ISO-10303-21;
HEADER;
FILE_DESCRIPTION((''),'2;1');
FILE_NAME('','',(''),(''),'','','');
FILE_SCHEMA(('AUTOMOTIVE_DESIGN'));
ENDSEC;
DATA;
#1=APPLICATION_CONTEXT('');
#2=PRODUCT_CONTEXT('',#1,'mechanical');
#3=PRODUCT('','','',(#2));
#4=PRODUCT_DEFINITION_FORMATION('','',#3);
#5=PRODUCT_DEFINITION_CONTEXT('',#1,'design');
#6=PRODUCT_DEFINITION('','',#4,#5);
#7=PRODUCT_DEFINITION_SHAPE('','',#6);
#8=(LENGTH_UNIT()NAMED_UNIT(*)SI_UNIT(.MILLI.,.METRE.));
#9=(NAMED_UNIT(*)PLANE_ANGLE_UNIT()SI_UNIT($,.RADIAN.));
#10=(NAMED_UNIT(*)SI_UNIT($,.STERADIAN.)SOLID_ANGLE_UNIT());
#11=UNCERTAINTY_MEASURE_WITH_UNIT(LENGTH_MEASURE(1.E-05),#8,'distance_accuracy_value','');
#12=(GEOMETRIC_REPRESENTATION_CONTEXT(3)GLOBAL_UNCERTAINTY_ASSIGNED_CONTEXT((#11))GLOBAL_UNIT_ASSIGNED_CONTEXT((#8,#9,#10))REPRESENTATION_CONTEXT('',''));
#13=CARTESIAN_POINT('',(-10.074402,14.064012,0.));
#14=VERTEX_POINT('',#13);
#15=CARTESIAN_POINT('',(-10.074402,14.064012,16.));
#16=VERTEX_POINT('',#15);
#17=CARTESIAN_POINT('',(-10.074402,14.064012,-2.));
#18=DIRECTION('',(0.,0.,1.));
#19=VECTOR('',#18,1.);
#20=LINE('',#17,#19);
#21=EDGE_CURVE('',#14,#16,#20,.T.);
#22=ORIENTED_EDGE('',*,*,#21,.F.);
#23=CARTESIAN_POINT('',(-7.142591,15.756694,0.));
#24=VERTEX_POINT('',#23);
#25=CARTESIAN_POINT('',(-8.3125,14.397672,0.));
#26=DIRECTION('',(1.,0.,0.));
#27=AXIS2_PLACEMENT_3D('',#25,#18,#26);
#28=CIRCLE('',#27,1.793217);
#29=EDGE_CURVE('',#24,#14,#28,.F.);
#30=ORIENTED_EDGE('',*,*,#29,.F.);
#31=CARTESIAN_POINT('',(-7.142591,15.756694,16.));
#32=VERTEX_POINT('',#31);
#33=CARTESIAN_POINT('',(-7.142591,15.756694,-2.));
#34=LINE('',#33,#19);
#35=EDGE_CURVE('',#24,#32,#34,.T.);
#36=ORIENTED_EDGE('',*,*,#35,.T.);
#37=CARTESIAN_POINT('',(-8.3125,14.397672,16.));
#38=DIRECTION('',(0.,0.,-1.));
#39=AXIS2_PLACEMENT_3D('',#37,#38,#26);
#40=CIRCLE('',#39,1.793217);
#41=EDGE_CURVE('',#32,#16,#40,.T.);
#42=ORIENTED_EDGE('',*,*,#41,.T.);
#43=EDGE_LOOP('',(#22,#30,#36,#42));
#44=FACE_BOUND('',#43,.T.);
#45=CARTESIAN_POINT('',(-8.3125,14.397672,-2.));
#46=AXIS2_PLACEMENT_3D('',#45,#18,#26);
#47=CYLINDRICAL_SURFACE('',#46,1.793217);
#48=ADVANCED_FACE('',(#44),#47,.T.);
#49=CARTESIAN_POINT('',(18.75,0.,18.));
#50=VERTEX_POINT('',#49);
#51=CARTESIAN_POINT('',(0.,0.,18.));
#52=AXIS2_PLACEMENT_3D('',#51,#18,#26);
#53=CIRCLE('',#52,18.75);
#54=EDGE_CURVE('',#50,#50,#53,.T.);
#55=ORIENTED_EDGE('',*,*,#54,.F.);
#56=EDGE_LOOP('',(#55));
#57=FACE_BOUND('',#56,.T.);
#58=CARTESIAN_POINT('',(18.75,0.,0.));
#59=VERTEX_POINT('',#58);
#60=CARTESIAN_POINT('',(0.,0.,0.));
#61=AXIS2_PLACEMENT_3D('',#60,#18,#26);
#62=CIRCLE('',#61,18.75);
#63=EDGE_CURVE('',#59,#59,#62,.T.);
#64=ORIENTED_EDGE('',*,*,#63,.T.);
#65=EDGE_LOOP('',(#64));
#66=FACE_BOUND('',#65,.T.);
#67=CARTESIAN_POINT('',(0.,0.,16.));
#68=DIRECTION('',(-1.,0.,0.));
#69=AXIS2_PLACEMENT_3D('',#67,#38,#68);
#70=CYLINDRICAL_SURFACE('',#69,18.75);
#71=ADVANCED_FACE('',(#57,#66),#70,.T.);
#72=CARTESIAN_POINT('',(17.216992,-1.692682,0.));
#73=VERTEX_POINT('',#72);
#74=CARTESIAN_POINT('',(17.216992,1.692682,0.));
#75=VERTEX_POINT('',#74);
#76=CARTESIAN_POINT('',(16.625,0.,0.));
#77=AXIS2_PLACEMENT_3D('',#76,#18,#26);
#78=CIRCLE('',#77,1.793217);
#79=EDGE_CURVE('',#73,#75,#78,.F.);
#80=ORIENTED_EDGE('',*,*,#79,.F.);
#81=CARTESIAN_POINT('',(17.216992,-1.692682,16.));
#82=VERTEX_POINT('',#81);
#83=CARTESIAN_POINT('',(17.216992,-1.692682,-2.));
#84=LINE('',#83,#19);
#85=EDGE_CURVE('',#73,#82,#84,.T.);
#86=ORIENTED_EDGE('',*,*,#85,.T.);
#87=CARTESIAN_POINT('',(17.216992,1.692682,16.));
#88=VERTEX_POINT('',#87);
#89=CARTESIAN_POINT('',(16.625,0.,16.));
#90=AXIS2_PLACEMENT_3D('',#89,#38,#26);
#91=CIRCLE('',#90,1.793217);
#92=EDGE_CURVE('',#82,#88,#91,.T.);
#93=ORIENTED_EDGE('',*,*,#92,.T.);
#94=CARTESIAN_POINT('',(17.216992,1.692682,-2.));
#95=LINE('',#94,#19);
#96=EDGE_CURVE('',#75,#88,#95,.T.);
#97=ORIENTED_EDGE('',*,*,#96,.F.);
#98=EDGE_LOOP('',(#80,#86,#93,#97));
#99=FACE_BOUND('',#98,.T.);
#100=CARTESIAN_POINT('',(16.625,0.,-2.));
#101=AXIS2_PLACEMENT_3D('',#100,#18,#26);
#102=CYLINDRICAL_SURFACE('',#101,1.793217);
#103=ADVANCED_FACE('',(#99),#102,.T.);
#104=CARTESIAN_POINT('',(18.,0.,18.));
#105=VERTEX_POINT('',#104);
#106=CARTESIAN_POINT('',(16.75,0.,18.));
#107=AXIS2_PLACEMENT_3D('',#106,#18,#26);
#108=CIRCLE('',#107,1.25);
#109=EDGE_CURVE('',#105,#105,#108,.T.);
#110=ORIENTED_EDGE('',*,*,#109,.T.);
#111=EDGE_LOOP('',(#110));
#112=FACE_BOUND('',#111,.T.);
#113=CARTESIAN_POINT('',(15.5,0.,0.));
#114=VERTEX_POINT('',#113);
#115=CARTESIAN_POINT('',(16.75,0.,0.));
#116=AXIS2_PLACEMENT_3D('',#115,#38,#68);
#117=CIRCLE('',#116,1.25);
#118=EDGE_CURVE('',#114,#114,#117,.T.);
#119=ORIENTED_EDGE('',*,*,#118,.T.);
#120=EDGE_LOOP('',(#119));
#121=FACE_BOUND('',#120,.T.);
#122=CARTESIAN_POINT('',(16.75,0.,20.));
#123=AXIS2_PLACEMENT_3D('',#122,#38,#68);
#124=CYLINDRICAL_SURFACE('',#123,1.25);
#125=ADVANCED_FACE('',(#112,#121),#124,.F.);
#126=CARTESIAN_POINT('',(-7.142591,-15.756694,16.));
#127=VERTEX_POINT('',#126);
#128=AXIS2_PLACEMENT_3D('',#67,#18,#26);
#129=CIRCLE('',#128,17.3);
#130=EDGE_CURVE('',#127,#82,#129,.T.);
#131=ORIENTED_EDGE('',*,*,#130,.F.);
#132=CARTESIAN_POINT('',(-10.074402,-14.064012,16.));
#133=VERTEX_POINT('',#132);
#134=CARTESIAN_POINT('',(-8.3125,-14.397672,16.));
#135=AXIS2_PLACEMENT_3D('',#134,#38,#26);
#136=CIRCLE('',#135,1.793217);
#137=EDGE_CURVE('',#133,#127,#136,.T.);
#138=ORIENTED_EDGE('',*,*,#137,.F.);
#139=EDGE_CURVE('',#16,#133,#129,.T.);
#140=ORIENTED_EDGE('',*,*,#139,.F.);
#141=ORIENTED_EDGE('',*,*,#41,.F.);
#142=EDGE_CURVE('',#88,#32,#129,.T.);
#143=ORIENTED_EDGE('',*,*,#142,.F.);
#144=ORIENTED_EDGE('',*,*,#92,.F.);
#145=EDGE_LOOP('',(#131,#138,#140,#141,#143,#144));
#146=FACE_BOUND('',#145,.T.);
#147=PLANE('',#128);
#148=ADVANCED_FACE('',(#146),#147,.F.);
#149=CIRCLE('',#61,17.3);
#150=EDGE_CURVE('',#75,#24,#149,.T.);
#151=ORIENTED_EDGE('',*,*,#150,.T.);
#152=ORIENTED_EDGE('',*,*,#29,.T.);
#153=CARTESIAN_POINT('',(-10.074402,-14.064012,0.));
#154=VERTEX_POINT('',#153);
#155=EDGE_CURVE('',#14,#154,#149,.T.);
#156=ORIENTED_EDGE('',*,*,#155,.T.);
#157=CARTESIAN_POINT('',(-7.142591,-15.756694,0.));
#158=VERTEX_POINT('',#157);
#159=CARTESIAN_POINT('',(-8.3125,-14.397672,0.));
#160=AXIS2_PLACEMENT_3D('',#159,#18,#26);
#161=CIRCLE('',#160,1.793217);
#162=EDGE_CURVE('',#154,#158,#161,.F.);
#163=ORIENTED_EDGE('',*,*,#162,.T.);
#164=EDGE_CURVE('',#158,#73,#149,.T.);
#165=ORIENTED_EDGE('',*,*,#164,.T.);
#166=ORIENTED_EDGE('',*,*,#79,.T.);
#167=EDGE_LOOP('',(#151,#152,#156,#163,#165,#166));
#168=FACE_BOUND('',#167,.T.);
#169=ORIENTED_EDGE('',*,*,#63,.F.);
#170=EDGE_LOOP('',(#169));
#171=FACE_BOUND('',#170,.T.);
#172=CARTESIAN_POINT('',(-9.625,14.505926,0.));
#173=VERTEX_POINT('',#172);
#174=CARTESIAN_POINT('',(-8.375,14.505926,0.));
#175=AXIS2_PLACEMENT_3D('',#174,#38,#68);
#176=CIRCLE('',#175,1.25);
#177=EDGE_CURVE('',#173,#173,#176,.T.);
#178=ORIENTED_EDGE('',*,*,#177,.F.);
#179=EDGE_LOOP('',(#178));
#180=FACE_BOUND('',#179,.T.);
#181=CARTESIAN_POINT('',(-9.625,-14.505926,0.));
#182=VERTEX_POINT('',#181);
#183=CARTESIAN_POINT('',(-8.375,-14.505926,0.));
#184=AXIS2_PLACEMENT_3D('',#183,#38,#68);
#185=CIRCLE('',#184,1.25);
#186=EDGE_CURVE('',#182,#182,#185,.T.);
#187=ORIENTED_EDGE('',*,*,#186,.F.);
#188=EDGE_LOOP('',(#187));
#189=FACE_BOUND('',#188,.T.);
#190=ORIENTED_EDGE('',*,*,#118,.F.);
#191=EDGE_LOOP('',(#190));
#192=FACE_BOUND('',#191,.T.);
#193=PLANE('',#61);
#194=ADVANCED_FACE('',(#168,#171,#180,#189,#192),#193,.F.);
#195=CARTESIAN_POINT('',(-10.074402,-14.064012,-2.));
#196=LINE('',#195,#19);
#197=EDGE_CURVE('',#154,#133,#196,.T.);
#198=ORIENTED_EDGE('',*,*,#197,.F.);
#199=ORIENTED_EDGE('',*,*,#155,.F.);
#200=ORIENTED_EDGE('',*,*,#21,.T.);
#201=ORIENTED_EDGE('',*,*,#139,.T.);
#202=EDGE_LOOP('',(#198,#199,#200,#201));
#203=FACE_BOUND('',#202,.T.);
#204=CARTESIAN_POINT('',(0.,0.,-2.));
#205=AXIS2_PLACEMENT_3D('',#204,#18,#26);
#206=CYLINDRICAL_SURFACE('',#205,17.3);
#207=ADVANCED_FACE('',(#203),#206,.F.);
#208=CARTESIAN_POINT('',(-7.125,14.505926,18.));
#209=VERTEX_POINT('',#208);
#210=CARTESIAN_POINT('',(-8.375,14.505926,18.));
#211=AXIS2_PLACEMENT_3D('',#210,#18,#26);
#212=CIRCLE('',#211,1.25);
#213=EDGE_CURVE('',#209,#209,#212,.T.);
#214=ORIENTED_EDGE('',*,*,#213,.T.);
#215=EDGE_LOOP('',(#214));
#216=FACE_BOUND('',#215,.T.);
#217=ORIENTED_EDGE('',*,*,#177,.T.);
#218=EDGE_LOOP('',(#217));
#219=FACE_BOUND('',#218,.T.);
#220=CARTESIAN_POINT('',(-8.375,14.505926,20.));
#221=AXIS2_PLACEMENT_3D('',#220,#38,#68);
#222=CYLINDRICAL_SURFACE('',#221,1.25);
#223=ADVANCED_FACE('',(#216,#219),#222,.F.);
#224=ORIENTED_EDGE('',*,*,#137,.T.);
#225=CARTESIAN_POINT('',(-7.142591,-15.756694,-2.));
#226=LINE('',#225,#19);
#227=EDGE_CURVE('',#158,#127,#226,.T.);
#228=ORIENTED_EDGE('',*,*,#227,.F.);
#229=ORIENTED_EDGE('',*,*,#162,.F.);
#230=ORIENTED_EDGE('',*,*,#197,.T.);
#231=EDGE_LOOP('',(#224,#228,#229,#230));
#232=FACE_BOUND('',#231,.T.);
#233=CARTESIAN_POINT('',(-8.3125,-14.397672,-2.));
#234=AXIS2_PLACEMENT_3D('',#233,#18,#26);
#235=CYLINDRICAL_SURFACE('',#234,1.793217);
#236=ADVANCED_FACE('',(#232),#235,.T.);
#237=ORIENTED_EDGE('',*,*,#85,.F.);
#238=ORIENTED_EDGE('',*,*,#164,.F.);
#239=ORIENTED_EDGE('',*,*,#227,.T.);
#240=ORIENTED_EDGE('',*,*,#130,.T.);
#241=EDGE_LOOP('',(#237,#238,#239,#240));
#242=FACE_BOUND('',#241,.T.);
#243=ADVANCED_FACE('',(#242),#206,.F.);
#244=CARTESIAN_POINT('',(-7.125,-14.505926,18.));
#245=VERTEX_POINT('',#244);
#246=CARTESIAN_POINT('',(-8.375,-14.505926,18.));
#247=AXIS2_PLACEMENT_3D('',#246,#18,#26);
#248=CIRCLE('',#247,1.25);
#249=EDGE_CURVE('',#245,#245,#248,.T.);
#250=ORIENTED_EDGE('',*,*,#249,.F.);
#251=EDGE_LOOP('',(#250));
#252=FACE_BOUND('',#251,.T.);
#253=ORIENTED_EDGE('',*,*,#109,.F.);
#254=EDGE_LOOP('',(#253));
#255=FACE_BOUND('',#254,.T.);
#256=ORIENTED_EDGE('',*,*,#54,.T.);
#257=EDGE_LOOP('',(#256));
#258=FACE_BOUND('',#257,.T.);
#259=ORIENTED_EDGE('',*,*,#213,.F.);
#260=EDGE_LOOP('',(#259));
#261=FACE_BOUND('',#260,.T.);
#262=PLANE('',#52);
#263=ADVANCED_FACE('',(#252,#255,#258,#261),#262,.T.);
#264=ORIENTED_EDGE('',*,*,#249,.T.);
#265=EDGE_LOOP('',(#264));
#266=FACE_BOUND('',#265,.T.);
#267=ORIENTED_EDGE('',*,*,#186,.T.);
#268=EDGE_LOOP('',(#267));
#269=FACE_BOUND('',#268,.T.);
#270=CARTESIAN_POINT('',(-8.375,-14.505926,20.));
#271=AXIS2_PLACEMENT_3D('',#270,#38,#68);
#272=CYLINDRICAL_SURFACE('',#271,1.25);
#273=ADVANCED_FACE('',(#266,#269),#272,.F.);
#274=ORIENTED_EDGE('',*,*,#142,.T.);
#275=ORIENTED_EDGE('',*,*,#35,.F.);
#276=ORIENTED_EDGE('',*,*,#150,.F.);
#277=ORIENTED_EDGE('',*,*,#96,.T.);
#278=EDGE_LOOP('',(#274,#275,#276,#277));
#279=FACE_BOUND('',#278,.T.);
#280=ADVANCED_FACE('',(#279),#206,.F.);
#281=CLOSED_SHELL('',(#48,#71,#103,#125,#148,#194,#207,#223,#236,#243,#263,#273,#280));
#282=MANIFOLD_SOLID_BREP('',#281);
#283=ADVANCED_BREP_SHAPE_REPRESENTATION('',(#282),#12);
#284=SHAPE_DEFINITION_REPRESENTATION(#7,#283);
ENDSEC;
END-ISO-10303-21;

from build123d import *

# Parameters (mm, degrees)
SKETCH_1_R          = 18.75
SKETCH_1_R_2        = 14.5
EXTRUDE_1_DEPTH     = 16
SKETCH_2_R          = 1.25
CUT_EXTRUDE_1_DEPTH = 18
CUT_EXTRUDE_2_DEPTH = 18
SKETCH_4_R          = 18.75
EXTRUDE_2_DEPTH     = 2
SKETCH_6_R          = 1.25
EXTRUDE_3_DEPTH     = 16
SKETCH_7_R          = 1.25
CUT_EXTRUDE_3_DEPTH = 20


with BuildPart() as part:
    # 草图1 → 凸台-拉伸1 (new body)
    with BuildSketch(Plane.XY):
        Circle(SKETCH_1_R)
        Circle(SKETCH_1_R_2, mode=Mode.SUBTRACT)
    extrude(amount=EXTRUDE_1_DEPTH)

    # 草图2 → 切除-拉伸1 (cut)
    with BuildSketch(Plane.XY.offset(16)):
        with Locations((16.625, 0)):
            Circle(SKETCH_2_R)
        with Locations((-8.3125, -14.397672338)):
            Circle(SKETCH_2_R)
        with Locations((-8.3125, 14.397672338)):
            Circle(SKETCH_2_R)
    extrude(amount=-CUT_EXTRUDE_1_DEPTH, mode=Mode.SUBTRACT)

    # 草图3 → 切除-拉伸2 (cut)
    with BuildSketch(Plane.XY.offset(16)):
        with BuildLine():
            ThreePointArc((-7.142590701, -15.756693755), (8.65, -14.982239485), (17.216992422, -1.692681881))
            ThreePointArc((17.216992422, -1.692681881), (14.831783064, 0), (17.216992422, 1.692681881))
            ThreePointArc((17.216992422, 1.692681881), (8.65, 14.982239485), (-7.142590701, 15.756693755))
            ThreePointArc((-7.142590701, 15.756693755), (-7.415891532, 12.844700917), (-10.07440172, 14.064011873))
            ThreePointArc((-10.07440172, 14.064011873), (-17.3, 0), (-10.07440172, -14.064011873))
            ThreePointArc((-10.07440172, -14.064011873), (-7.415891532, -12.844700917), (-7.142590701, -15.756693755))
        make_face()
    extrude(amount=-CUT_EXTRUDE_2_DEPTH, mode=Mode.SUBTRACT)

    # 草图4 → 凸台-拉伸2 (add)
    with BuildSketch(Plane.XY.offset(16)):
        Circle(SKETCH_4_R)
    extrude(amount=EXTRUDE_2_DEPTH)

    # 草图6 → 凸台-拉伸3 (add)
    with BuildSketch(Plane(origin=(0, 0, 0), x_dir=(-1, 0, 0), z_dir=(0, 0, -1))):
        with Locations((8.3125, -14.397672338)):
            Circle(SKETCH_6_R)
        with Locations((-16.625, 0)):
            Circle(SKETCH_6_R)
        with Locations((8.3125, 14.397672338)):
            Circle(SKETCH_6_R)
    extrude(amount=-EXTRUDE_3_DEPTH)

    # 草图7 → 切除-拉伸3 (cut)
    with BuildSketch(Plane(origin=(0, 0, 0), x_dir=(-1, 0, 0), z_dir=(0, 0, -1))):
        with Locations((8.375, 14.505925513)):
            Circle(SKETCH_7_R)
        with Locations((8.375, -14.505925513)):
            Circle(SKETCH_7_R)
        with Locations((-16.75, 0)):
            Circle(SKETCH_7_R)
    extrude(amount=-CUT_EXTRUDE_3_DEPTH, mode=Mode.SUBTRACT)


solid = part.part
